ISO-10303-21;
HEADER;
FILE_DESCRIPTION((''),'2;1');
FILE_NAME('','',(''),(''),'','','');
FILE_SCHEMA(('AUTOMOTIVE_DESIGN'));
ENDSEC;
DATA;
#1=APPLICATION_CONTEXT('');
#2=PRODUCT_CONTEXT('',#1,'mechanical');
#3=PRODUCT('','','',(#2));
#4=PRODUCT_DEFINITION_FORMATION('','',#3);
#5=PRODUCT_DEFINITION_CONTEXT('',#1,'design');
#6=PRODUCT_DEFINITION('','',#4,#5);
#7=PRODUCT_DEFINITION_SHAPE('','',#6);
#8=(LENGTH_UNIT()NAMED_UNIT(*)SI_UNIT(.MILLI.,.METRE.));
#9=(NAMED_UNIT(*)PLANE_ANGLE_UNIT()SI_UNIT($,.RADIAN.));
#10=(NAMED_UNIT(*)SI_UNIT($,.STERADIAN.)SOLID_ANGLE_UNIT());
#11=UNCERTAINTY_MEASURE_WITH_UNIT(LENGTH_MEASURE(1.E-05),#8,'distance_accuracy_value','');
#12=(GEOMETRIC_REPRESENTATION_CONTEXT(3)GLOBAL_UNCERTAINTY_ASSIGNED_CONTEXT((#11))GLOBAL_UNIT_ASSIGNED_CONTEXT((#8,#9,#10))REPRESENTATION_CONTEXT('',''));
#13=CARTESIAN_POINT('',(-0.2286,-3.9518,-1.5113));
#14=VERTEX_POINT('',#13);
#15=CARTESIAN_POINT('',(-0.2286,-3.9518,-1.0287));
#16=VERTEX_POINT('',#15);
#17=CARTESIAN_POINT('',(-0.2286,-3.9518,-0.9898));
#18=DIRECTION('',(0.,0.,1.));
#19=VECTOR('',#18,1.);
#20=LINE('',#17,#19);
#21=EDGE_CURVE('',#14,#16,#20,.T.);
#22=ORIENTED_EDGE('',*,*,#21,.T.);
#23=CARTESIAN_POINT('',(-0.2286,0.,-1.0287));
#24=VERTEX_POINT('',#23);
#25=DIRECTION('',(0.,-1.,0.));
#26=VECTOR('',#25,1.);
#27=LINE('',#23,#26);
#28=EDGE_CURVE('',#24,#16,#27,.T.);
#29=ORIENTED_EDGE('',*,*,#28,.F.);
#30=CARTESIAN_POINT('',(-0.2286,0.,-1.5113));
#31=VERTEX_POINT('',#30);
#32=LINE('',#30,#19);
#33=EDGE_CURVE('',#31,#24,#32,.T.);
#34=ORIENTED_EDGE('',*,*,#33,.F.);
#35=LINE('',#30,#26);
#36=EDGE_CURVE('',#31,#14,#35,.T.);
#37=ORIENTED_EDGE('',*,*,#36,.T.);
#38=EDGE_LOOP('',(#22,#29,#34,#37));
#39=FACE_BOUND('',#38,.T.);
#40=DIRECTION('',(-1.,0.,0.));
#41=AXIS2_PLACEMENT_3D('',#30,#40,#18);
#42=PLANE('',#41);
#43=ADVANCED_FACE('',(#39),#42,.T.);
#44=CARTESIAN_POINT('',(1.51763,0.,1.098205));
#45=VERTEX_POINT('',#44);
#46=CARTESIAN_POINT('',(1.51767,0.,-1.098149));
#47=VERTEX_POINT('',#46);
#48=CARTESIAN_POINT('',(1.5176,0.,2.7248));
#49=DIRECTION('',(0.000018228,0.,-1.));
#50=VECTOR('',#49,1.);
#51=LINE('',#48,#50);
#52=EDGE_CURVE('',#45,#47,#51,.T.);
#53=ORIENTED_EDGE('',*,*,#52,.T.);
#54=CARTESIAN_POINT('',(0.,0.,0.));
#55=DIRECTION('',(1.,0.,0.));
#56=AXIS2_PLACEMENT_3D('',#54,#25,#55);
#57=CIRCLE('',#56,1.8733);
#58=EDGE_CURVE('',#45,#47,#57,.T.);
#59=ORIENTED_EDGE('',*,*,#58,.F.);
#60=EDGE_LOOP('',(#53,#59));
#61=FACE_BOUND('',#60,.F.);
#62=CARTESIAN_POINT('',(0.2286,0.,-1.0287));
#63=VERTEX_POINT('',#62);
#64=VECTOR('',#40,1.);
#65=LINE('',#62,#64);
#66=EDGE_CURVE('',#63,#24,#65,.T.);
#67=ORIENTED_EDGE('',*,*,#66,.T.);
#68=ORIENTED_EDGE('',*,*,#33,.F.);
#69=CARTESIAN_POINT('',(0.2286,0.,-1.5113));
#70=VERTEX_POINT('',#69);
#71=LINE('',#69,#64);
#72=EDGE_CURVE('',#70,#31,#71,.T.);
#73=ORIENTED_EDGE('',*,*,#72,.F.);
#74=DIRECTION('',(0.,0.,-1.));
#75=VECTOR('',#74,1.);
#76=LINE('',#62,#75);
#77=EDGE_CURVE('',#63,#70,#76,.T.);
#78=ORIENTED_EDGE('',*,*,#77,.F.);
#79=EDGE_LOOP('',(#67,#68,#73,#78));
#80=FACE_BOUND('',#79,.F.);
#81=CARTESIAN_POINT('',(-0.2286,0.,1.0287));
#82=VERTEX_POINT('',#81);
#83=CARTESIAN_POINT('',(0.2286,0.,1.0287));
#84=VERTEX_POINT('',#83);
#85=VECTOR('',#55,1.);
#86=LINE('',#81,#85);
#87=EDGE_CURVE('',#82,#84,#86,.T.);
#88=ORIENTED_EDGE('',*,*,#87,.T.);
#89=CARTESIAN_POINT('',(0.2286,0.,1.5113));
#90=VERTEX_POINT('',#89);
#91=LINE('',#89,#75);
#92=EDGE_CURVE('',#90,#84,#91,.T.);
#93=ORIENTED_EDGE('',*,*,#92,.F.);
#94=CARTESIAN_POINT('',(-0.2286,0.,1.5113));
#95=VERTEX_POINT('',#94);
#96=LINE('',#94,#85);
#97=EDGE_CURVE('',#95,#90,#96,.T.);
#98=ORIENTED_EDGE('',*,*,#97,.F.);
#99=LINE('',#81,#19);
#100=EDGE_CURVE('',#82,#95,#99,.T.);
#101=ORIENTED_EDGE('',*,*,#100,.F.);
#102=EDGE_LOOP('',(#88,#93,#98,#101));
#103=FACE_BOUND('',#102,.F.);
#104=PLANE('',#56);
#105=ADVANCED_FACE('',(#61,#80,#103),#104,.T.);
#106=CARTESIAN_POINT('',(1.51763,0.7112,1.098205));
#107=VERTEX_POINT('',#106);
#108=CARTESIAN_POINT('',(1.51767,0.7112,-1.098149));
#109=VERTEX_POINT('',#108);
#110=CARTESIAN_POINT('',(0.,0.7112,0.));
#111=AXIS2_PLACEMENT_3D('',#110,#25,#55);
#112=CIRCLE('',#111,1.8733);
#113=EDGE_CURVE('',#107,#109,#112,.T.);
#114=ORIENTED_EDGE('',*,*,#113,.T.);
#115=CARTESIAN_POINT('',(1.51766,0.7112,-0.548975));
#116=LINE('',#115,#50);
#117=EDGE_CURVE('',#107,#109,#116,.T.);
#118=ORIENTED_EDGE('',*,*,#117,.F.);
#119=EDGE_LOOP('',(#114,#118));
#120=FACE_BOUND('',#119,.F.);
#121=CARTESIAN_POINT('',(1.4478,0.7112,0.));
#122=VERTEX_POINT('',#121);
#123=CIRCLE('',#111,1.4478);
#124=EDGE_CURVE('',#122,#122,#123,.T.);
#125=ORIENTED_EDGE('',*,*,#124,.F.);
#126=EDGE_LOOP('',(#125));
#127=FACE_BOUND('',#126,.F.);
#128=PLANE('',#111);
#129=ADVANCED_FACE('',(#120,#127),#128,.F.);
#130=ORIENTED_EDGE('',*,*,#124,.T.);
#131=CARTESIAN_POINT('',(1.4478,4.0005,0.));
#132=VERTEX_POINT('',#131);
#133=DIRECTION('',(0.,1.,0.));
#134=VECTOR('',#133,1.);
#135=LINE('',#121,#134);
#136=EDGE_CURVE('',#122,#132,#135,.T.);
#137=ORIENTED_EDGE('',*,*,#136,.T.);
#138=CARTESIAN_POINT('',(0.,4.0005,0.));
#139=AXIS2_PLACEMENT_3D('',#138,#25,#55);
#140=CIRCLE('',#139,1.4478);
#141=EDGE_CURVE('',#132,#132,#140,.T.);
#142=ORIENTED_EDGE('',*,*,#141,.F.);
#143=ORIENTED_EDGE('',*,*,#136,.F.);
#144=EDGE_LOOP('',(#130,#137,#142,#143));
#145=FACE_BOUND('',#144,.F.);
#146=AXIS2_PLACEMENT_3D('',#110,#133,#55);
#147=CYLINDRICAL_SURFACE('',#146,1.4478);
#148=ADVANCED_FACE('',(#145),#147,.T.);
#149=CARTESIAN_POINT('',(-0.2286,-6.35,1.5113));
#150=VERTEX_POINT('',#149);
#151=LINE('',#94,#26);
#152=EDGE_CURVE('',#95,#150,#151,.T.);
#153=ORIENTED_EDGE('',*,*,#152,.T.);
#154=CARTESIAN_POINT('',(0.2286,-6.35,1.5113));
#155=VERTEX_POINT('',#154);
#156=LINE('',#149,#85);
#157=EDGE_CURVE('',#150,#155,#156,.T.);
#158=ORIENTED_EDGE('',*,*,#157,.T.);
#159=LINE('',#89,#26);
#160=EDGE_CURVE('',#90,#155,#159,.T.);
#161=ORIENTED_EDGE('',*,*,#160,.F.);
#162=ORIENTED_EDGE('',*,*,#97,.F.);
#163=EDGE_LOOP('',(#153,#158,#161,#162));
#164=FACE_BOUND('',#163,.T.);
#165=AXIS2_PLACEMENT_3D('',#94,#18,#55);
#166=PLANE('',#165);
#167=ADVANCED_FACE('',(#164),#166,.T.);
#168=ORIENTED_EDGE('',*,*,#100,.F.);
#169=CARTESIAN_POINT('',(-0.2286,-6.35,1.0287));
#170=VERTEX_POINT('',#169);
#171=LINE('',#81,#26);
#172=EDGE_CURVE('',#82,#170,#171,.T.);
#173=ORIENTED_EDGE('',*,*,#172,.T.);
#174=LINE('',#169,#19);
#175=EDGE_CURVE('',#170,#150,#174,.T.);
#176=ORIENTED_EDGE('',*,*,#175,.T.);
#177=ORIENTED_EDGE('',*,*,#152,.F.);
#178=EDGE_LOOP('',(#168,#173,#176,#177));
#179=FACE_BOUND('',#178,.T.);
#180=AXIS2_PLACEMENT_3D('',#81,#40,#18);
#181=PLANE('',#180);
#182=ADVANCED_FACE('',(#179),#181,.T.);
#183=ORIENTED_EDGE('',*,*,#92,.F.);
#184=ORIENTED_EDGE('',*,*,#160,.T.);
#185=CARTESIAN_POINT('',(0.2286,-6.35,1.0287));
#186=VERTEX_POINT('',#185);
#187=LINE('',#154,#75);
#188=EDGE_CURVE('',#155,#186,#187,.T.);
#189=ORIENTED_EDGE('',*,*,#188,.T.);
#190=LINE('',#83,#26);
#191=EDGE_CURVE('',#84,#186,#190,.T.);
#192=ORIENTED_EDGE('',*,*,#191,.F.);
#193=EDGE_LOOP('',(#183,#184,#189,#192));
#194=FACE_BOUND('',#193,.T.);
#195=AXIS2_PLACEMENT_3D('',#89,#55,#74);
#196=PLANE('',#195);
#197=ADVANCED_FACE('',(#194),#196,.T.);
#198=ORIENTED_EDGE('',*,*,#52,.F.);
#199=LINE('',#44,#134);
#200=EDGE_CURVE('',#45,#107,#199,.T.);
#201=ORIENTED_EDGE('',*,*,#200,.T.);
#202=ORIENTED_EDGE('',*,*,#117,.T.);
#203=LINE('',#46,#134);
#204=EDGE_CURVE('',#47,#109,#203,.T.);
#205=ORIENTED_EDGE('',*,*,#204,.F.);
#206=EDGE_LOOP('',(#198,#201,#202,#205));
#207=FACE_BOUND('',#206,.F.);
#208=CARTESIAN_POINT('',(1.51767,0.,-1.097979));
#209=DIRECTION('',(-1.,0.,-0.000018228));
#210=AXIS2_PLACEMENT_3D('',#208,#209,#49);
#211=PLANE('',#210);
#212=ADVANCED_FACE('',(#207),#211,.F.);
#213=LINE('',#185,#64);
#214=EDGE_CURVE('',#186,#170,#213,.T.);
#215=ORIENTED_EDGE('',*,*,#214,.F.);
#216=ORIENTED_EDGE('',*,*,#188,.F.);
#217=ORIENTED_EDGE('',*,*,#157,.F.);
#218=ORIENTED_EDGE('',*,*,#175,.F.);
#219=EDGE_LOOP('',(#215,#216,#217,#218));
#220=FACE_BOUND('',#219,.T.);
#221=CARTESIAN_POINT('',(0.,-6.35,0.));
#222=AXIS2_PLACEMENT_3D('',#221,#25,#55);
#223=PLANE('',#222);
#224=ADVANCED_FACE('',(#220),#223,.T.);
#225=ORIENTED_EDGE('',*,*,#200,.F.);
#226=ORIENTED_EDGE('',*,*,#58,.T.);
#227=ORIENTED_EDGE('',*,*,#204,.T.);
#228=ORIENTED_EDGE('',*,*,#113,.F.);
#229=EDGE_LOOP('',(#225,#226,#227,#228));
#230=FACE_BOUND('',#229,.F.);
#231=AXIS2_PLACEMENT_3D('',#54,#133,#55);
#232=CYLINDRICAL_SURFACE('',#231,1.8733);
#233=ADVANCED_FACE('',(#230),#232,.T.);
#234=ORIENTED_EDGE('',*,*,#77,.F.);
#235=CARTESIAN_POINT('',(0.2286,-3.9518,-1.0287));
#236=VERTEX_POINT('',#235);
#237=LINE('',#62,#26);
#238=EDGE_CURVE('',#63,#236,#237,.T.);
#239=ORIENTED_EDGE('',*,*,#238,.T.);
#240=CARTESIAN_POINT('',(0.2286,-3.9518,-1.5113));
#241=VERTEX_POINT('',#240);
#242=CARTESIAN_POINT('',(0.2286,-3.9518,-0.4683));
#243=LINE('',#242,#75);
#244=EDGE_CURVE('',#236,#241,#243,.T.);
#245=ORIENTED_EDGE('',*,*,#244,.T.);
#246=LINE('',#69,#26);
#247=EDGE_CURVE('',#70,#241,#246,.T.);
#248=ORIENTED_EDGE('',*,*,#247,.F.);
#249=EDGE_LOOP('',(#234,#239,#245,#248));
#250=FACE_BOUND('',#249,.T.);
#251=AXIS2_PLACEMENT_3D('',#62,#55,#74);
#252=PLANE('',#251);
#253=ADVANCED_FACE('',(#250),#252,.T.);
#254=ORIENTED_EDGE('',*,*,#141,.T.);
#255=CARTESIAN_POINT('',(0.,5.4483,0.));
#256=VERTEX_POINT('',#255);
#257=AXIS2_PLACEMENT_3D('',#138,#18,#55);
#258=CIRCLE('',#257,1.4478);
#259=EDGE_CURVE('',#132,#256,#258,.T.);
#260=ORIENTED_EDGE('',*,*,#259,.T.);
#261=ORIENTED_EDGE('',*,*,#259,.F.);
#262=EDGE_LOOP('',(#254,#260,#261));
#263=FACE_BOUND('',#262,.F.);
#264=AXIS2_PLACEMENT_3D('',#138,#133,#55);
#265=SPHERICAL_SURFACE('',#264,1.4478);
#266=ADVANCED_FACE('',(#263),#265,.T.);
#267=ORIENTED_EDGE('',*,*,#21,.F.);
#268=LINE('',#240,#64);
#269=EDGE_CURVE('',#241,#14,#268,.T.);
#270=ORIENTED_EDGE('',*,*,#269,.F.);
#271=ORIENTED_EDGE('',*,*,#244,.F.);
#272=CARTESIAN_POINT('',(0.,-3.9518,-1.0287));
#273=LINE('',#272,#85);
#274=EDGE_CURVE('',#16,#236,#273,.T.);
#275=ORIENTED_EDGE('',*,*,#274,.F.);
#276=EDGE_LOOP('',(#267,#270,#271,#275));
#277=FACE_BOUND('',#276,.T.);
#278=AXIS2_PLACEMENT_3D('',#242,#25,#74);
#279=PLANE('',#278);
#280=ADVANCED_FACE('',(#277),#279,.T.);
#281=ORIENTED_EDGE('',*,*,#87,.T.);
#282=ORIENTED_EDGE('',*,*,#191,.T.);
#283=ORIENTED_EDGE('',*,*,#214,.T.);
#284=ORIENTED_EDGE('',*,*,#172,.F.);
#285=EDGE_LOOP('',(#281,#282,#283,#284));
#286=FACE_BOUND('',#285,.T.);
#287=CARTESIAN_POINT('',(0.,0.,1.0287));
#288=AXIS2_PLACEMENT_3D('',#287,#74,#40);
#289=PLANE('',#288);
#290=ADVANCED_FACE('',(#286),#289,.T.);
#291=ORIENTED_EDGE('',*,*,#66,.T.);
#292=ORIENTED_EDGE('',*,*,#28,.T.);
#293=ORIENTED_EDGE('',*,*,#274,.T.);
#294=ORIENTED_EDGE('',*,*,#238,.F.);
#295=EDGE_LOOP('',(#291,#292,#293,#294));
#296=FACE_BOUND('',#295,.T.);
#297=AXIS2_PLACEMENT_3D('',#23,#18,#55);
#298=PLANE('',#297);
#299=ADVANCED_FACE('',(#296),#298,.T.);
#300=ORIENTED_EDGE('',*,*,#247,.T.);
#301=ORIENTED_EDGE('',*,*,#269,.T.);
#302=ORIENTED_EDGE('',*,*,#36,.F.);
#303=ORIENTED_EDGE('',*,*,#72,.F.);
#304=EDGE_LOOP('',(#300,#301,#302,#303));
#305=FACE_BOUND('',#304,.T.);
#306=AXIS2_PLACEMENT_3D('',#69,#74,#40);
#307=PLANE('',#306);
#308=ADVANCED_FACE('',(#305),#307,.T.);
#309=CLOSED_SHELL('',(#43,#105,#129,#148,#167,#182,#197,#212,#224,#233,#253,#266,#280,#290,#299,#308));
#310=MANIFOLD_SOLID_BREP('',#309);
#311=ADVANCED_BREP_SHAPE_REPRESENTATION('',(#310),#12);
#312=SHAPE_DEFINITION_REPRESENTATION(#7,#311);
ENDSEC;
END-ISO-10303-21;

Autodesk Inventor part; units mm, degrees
ref_plane "YZ Plane" through (0, 0, 0) normal (1, 0, 0) x (0, 1, 0)
ref_plane "XZ Plane" through (0, 0, 0) normal (0, 1, 0) x (-1, 0, 0)
ref_plane "XY Plane" through (0, 0, 0) normal (0, 0, 1) x (1, 0, 0)
sketch "Sketch1" plane through (0, 0, 0) normal (0, 0, 1) x (1, 0, 0)
  line L0 (0, 0) -> (1.8733, 0)
  line L1 (1.8733, 0) -> (1.8733, 0.7112)
  line L2 (1.8733, 0.7112) -> (1.4478, 0.7112)
  line L3 (1.4478, 0.7112) -> (1.4478, 4.0005)
  arc A0 (1.4478, 4.0005) -> (0, 5.4483) centre (0, 4.0005) ccw
  line L4 (0, 5.4483) -> (0, 0)
  dimension "d0" = 1.4478
  dimension "d1" = 0.7112
  dimension "d2" = 1.8733
  dimension "d3" = 5.4483
revolve "Revolution1" add sketch "Sketch1" angle 360 about axis through (0, 5.4483, 0) along (0, -1, 0)
sketch "Sketch2" plane through (0, 0, 0) normal (0, -1, 0) x (1, 0, 0)
  line L0 (4.2518, 2.7248) -> (1.5176, 2.7248)
  line L1 (1.5176, 2.7248) -> (1.5177, -2.7614)
  line L2 (1.5177, -2.7614) -> (4.2518, -2.7614)
  line L3 (4.2518, -2.7614) -> (4.2518, 2.7248)
  circle A0 centre (0, 0) radius 1.8732 projected
  dimension "d5" = 3.3909
extrude "Extrusion1" cut sketch "Sketch2" against normal blind 25.4 contours L3 L2 L1 A0 L0 | A0 L1 picked at (1.5825, -0.2532)
sketch "Sketch3" plane through (0, 0, 0) normal (0, -1, 0) x (1, 0, 0)
  line L0 (-0.2286, -1.0287) -> (0.2286, -1.0287)
  line L1 (0.2286, -1.0287) -> (0.2286, -1.5113)
  line L2 (0.2286, -1.5113) -> (-0.2286, -1.5113)
  line L3 (-0.2286, -1.5113) -> (-0.2286, -1.0287)
  line L4 (-0.2286, 1.5113) -> (0.2286, 1.5113)
  line L5 (0.2286, 1.5113) -> (0.2286, 1.0287)
  line L6 (0.2286, 1.0287) -> (-0.2286, 1.0287)
  line L7 (-0.2286, 1.0287) -> (-0.2286, 1.5113)
  line L8 (0, 0) -> (0, 1.0287)
  line L9 (0, 0) -> (0, -1.0287)
  dimension "d13" = 0.4572
  dimension "d14" = 0.4826
  dimension "d15" = 3.0226
extrude "Extrusion2" add sketch "Sketch3" along normal blind 6.35
sketch "Sketch5" plane through (0.2286, -6.35, -1.0287) normal (1, 0, 0) x (0, 0, -1)
  line L0 (1.6967, -0.6432) -> (-0.5604, -0.6432)
  line L1 (-0.5604, -0.6432) -> (-0.5604, 2.3982)
  line L2 (-0.5604, 2.3982) -> (1.6967, 2.3982)
  line L3 (1.6967, 2.3982) -> (1.6967, -0.6432)
  point P0 (-1.0287, 6.35)
extrude "Extrusion3" cut sketch "Sketch5" against normal blind 25.4
properties part number "LED"
